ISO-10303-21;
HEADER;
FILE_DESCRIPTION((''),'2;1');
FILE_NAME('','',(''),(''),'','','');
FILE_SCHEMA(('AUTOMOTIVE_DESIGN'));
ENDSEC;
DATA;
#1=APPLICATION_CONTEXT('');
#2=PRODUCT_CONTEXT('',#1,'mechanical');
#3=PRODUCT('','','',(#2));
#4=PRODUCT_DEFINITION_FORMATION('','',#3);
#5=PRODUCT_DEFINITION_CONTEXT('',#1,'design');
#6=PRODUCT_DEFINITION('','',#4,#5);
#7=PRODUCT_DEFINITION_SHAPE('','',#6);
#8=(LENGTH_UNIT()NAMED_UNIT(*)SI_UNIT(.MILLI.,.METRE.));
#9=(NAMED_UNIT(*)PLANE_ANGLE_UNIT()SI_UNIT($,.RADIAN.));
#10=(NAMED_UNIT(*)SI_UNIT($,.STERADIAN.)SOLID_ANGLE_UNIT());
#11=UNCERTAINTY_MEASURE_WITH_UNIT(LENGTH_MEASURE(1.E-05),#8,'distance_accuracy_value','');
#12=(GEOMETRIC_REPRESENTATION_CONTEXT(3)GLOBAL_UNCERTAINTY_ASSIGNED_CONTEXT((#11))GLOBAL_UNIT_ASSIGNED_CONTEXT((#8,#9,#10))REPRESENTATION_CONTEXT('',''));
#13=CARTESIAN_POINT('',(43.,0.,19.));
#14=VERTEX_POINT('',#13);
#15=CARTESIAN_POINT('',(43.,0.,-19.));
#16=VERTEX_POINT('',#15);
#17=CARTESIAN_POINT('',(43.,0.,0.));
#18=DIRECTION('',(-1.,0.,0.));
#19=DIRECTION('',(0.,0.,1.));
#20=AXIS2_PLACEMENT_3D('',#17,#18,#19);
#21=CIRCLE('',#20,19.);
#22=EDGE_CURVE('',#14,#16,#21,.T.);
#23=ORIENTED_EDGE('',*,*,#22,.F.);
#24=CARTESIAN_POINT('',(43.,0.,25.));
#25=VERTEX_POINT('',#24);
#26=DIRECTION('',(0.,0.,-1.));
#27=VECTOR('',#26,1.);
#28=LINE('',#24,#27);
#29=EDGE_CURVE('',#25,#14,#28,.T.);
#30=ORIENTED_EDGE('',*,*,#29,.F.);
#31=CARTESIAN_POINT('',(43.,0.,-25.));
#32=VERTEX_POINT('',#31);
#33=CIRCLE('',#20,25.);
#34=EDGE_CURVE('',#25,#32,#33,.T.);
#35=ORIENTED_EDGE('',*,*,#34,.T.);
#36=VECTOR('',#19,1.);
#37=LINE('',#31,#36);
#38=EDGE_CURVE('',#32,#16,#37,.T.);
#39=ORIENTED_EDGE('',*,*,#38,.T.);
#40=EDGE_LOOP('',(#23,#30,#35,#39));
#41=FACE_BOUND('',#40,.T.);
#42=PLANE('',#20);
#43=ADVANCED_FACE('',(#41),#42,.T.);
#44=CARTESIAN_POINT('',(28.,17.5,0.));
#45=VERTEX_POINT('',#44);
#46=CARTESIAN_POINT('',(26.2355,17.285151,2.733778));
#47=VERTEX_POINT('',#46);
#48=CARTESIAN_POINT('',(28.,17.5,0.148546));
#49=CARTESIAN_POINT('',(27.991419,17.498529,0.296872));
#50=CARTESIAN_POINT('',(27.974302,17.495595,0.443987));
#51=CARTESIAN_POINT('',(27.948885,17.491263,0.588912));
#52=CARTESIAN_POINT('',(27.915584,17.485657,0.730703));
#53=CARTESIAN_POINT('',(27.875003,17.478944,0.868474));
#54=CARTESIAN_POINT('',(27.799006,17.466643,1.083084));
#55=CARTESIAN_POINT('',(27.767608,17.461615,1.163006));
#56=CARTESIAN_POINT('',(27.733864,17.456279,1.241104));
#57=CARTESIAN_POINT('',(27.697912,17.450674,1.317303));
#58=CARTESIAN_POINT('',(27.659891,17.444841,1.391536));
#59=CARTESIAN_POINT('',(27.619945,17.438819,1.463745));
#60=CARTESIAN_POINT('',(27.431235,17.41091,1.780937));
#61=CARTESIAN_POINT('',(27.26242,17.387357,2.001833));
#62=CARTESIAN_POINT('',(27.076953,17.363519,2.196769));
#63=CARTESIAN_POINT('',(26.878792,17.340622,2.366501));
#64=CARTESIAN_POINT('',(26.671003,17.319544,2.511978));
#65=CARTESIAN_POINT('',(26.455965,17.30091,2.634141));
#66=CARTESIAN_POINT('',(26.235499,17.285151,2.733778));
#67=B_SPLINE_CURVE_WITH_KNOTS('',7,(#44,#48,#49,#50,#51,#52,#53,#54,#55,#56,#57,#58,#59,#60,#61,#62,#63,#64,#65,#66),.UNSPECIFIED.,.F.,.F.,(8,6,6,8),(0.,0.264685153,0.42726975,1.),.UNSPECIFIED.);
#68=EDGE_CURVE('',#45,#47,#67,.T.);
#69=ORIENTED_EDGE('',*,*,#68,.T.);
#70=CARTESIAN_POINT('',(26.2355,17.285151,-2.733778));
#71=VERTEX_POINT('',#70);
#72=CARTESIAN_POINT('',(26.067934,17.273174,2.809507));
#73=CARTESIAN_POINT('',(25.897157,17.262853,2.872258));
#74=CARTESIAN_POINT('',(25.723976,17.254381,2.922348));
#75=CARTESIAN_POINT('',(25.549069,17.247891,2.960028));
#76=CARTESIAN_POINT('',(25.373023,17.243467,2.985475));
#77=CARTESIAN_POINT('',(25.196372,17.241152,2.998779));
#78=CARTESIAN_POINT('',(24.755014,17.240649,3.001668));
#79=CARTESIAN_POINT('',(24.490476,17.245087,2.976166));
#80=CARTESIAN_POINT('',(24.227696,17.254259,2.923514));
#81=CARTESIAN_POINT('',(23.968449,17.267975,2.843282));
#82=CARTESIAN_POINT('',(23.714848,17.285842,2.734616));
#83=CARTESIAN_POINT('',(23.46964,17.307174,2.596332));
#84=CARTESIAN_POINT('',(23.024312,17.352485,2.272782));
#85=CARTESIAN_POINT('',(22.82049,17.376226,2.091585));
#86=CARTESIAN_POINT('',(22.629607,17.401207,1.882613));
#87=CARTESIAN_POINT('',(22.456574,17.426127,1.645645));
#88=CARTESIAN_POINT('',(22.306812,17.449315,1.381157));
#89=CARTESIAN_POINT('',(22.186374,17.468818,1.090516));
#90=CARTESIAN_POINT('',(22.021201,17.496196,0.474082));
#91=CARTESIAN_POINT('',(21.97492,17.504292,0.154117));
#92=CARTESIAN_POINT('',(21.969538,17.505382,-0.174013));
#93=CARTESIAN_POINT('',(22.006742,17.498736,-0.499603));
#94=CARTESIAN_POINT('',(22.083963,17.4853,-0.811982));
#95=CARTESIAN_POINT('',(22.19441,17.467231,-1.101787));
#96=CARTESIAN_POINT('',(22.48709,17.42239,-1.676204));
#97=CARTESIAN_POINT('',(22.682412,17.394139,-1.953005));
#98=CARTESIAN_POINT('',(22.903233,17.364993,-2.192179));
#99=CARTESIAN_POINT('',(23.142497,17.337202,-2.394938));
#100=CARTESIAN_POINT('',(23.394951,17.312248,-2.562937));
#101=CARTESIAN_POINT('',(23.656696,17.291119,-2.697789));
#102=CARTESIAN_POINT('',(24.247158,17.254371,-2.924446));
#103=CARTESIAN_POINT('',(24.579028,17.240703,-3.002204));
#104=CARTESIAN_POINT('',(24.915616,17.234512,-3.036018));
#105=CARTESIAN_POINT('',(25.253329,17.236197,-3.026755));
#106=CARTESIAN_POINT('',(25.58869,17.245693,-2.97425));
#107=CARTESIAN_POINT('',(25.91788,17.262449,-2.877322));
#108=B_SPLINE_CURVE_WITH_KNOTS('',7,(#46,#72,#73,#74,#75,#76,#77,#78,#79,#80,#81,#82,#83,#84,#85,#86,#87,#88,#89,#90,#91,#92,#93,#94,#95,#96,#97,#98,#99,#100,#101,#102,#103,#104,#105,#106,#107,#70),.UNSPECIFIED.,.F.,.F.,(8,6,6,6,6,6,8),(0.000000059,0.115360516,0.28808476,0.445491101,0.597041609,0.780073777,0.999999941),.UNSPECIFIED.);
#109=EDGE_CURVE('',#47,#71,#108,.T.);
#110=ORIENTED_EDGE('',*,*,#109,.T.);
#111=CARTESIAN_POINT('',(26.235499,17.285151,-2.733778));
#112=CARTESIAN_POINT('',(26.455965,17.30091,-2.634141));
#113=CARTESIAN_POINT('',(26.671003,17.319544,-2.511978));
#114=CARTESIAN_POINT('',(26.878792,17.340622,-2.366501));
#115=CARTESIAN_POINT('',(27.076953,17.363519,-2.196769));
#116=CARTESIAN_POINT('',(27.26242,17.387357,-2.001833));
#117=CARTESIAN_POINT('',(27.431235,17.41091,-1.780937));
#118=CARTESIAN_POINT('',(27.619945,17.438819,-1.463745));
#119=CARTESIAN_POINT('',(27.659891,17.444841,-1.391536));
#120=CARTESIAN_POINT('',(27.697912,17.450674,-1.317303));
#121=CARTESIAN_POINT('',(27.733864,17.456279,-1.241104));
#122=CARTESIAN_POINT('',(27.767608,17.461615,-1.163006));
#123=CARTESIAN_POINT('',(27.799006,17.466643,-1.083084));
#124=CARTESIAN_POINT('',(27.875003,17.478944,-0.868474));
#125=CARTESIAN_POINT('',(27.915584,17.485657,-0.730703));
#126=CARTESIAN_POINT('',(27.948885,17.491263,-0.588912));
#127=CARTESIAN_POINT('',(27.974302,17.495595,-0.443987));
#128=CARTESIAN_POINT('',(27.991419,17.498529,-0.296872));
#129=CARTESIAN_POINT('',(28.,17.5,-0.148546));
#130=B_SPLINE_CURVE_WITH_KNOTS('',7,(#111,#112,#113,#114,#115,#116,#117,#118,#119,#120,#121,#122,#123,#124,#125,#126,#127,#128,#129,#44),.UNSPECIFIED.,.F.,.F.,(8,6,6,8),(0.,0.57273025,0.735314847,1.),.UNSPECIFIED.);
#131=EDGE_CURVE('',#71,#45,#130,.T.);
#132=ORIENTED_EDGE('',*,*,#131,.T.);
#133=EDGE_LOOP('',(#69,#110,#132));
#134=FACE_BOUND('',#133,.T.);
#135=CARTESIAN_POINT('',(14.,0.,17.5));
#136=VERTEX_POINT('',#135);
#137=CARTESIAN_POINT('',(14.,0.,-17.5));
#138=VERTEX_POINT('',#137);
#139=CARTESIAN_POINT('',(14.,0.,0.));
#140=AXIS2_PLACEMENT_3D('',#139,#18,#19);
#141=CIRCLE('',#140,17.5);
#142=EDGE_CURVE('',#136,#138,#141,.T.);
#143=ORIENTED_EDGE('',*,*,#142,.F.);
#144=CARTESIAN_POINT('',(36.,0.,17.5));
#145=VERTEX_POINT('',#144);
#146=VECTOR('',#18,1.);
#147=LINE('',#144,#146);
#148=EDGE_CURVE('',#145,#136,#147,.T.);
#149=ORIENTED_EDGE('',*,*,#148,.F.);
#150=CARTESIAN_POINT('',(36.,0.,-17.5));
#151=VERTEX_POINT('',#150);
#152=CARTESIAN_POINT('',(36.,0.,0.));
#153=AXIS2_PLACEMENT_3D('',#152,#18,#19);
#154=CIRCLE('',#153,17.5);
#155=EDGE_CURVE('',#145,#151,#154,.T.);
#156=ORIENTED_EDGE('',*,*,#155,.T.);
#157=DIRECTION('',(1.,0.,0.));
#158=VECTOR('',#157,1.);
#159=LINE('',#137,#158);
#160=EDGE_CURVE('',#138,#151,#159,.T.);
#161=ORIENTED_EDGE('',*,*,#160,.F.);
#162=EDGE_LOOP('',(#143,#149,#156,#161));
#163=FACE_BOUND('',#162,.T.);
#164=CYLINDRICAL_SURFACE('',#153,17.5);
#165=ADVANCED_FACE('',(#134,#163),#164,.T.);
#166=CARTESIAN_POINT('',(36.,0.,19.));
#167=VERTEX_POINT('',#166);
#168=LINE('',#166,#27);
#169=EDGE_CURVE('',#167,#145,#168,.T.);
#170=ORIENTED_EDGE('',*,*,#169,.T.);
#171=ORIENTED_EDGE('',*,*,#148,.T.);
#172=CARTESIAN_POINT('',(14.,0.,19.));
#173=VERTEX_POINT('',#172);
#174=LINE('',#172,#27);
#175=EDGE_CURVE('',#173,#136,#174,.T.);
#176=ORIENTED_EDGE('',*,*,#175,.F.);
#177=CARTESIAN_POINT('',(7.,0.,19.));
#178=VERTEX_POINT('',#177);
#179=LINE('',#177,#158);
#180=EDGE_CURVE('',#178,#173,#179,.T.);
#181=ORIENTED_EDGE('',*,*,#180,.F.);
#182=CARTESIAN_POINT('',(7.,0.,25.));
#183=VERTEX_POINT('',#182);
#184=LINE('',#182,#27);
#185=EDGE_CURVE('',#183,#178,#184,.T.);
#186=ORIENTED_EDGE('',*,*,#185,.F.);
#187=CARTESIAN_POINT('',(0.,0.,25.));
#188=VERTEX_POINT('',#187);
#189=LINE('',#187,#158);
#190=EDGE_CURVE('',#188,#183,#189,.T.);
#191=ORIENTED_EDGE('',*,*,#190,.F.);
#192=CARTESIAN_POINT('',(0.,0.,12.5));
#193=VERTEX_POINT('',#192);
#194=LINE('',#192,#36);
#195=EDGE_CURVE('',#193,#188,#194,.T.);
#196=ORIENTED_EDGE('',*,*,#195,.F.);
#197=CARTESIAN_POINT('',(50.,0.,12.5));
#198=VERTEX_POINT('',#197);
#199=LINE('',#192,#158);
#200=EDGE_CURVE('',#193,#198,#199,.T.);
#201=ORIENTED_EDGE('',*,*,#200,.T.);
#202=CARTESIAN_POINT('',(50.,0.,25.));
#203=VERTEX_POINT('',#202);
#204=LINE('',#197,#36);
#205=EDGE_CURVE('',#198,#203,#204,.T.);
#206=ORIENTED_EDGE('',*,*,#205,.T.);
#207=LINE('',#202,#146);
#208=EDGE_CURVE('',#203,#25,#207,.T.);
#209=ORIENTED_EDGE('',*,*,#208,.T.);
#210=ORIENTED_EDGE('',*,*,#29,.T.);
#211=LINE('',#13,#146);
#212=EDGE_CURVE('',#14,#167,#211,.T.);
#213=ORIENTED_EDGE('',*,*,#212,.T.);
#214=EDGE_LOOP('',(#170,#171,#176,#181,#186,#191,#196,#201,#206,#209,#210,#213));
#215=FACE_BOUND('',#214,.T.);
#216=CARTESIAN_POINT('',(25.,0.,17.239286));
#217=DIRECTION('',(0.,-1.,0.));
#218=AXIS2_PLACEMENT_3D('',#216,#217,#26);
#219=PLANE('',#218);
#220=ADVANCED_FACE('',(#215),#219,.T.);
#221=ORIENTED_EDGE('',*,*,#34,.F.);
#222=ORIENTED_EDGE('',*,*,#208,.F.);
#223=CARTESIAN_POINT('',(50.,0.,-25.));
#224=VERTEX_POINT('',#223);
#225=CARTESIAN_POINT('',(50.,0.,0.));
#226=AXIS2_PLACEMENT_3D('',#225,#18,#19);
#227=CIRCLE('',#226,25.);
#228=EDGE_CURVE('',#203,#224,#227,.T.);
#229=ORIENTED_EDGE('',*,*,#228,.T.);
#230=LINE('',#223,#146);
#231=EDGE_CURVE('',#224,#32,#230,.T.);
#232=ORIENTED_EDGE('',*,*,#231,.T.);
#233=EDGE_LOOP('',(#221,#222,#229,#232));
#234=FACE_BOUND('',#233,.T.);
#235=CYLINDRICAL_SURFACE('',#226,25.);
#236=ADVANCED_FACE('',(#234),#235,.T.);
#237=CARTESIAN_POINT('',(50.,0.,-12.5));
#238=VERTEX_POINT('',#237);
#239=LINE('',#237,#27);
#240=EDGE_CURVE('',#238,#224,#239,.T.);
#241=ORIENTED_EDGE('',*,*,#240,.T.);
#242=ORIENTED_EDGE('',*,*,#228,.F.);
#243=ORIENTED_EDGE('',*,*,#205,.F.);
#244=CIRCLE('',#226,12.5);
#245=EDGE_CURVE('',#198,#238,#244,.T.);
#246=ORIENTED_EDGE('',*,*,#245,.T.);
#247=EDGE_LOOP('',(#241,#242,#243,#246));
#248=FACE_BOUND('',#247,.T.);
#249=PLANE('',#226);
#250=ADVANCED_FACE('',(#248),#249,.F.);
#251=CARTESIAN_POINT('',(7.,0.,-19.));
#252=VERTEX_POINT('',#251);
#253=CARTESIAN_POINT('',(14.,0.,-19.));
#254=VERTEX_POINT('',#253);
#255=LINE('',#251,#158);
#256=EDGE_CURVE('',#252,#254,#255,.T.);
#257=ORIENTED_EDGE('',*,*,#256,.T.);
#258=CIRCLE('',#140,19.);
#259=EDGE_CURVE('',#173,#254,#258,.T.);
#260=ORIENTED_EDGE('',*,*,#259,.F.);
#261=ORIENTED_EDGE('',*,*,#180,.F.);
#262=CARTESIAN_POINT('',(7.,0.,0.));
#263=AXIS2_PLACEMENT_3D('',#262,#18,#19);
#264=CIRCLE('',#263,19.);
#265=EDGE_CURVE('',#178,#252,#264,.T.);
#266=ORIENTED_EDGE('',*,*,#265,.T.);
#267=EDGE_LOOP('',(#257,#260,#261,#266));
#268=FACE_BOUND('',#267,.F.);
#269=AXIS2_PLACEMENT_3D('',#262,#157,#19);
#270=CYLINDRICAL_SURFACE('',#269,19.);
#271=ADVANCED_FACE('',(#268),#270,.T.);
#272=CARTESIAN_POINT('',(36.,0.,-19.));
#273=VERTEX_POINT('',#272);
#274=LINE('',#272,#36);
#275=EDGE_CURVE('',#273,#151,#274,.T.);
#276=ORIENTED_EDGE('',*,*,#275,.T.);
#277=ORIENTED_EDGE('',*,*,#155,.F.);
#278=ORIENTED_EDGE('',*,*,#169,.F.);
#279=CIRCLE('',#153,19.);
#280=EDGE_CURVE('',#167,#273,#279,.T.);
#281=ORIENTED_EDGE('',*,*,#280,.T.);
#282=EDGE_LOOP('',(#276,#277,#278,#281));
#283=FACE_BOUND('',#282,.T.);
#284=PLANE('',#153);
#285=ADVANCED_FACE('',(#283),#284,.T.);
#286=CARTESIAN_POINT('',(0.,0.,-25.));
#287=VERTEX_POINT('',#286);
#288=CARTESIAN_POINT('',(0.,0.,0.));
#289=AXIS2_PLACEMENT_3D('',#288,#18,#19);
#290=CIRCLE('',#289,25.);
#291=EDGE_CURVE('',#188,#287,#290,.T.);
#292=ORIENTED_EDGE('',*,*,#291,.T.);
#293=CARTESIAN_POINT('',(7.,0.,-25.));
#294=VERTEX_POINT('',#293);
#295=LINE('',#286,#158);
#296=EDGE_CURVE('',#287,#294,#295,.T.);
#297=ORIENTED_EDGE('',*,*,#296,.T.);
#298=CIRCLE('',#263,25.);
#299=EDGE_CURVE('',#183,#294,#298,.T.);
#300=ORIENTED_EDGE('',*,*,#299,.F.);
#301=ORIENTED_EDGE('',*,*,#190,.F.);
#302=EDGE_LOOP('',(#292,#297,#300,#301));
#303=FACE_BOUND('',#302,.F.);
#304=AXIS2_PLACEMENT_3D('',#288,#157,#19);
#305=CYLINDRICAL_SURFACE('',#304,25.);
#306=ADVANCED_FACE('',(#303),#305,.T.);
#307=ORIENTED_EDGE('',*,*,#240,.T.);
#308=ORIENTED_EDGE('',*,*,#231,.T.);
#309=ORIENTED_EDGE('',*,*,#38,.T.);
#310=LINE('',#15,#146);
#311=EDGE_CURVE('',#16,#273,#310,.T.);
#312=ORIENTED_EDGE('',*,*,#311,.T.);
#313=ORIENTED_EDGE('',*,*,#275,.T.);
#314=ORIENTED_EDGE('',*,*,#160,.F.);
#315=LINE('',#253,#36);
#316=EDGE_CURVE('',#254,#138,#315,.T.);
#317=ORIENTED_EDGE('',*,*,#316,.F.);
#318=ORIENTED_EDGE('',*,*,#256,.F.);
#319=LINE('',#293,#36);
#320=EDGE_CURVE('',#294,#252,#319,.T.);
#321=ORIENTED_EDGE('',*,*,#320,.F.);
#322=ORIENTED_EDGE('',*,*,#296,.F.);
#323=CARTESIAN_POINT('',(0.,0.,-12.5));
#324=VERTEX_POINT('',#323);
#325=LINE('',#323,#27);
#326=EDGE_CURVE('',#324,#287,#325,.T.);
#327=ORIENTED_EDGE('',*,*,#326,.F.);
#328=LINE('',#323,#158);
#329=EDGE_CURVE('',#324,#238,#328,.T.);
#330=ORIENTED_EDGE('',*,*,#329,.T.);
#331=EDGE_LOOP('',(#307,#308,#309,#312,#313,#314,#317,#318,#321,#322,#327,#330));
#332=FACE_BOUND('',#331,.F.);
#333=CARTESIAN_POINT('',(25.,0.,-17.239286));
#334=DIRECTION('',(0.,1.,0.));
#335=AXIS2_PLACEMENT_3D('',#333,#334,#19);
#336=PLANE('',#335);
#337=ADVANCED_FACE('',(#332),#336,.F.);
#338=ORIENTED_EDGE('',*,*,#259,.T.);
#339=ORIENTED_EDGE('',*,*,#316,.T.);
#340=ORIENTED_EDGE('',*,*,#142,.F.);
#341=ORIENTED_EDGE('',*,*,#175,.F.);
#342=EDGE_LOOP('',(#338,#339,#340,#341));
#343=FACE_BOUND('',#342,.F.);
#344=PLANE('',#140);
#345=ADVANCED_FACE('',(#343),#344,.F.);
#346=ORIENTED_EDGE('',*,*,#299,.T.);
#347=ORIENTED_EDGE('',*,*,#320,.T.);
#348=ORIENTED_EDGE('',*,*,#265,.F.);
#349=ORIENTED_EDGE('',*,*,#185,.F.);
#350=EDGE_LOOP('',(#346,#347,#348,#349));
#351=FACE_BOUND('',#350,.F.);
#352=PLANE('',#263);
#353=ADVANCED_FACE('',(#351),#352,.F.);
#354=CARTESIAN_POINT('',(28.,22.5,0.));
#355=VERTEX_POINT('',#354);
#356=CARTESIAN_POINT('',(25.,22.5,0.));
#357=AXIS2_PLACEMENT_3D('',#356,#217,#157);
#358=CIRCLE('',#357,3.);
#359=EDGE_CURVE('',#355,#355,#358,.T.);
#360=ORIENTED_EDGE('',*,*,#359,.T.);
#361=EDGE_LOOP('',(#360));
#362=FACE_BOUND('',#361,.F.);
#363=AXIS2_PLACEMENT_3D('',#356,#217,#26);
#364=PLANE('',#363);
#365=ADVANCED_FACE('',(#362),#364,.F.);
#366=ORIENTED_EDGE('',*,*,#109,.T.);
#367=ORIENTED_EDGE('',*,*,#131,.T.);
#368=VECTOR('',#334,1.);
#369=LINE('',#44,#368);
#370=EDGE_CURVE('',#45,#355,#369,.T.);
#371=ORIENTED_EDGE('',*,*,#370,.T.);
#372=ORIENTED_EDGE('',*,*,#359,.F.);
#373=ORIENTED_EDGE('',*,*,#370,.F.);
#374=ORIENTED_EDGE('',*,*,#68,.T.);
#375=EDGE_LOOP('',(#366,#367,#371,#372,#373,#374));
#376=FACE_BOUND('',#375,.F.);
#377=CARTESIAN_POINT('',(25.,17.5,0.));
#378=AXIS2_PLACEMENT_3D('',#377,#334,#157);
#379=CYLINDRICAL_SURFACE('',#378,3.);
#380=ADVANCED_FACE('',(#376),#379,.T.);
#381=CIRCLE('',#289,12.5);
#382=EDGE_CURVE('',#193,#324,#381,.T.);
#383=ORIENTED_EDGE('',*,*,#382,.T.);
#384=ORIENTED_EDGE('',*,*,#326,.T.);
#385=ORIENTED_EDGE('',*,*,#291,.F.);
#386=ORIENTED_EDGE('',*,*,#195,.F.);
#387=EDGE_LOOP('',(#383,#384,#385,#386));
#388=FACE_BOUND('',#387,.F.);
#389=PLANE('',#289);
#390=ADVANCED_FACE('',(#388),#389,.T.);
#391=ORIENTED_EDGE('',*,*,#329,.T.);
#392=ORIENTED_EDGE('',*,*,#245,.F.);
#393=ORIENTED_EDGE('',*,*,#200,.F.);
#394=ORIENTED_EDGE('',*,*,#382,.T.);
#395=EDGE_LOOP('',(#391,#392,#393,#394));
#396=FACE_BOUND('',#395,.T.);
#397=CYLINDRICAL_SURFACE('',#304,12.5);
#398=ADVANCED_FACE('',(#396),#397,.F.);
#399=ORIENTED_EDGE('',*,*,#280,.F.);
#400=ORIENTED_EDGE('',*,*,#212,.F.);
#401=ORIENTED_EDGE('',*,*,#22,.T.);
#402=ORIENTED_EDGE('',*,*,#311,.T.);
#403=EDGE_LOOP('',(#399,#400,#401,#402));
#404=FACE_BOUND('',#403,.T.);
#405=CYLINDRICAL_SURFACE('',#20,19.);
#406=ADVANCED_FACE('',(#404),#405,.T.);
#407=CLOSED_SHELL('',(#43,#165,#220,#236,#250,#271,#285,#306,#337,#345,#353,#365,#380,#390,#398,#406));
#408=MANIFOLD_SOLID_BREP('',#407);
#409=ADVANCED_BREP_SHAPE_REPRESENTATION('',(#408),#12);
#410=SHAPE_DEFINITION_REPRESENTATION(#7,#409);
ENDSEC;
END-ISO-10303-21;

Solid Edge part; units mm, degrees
sketch "Sketch1" plane through (0, 0, 0) normal (0, -1, 0) x (1, 0, 0)
  line L0 (43, 19) -> (36, 19)
  line L1 (36, 19) -> (36, 17.5)
  line L2 (36, 17.5) -> (26.2355, 17.5)
  line L3 (14, 17.5) -> (26.2355, 17.5)
  line L4 (14, 19) -> (14, 17.5)
  line L5 (7, 19) -> (14, 19)
  line L6 (7, 25) -> (7, 19)
  line L7 (0, 25) -> (7, 25)
  line L8 (0, 12.5) -> (0, 25)
  line L9 (0, 12.5) -> (50, 12.5)
  line L10 (50, 12.5) -> (50, 25)
  line L11 (50, 25) -> (43, 25)
  line L12 (43, 25) -> (43, 19)
revolve "RevolvedProtrusion1" add sketch "Sketch1" angle 180 about axis through (0, 0, 0) along (-1, 0, 0)
sketch "Sketch2" plane through (0, 17.5, 0) normal (0, -1, 0) x (1, 0, 0)
  circle A0 centre (25, 0) radius 3
extrude "ExtrudedProtrusion_2" add sketch "Sketch2" along normal mid plane 10
